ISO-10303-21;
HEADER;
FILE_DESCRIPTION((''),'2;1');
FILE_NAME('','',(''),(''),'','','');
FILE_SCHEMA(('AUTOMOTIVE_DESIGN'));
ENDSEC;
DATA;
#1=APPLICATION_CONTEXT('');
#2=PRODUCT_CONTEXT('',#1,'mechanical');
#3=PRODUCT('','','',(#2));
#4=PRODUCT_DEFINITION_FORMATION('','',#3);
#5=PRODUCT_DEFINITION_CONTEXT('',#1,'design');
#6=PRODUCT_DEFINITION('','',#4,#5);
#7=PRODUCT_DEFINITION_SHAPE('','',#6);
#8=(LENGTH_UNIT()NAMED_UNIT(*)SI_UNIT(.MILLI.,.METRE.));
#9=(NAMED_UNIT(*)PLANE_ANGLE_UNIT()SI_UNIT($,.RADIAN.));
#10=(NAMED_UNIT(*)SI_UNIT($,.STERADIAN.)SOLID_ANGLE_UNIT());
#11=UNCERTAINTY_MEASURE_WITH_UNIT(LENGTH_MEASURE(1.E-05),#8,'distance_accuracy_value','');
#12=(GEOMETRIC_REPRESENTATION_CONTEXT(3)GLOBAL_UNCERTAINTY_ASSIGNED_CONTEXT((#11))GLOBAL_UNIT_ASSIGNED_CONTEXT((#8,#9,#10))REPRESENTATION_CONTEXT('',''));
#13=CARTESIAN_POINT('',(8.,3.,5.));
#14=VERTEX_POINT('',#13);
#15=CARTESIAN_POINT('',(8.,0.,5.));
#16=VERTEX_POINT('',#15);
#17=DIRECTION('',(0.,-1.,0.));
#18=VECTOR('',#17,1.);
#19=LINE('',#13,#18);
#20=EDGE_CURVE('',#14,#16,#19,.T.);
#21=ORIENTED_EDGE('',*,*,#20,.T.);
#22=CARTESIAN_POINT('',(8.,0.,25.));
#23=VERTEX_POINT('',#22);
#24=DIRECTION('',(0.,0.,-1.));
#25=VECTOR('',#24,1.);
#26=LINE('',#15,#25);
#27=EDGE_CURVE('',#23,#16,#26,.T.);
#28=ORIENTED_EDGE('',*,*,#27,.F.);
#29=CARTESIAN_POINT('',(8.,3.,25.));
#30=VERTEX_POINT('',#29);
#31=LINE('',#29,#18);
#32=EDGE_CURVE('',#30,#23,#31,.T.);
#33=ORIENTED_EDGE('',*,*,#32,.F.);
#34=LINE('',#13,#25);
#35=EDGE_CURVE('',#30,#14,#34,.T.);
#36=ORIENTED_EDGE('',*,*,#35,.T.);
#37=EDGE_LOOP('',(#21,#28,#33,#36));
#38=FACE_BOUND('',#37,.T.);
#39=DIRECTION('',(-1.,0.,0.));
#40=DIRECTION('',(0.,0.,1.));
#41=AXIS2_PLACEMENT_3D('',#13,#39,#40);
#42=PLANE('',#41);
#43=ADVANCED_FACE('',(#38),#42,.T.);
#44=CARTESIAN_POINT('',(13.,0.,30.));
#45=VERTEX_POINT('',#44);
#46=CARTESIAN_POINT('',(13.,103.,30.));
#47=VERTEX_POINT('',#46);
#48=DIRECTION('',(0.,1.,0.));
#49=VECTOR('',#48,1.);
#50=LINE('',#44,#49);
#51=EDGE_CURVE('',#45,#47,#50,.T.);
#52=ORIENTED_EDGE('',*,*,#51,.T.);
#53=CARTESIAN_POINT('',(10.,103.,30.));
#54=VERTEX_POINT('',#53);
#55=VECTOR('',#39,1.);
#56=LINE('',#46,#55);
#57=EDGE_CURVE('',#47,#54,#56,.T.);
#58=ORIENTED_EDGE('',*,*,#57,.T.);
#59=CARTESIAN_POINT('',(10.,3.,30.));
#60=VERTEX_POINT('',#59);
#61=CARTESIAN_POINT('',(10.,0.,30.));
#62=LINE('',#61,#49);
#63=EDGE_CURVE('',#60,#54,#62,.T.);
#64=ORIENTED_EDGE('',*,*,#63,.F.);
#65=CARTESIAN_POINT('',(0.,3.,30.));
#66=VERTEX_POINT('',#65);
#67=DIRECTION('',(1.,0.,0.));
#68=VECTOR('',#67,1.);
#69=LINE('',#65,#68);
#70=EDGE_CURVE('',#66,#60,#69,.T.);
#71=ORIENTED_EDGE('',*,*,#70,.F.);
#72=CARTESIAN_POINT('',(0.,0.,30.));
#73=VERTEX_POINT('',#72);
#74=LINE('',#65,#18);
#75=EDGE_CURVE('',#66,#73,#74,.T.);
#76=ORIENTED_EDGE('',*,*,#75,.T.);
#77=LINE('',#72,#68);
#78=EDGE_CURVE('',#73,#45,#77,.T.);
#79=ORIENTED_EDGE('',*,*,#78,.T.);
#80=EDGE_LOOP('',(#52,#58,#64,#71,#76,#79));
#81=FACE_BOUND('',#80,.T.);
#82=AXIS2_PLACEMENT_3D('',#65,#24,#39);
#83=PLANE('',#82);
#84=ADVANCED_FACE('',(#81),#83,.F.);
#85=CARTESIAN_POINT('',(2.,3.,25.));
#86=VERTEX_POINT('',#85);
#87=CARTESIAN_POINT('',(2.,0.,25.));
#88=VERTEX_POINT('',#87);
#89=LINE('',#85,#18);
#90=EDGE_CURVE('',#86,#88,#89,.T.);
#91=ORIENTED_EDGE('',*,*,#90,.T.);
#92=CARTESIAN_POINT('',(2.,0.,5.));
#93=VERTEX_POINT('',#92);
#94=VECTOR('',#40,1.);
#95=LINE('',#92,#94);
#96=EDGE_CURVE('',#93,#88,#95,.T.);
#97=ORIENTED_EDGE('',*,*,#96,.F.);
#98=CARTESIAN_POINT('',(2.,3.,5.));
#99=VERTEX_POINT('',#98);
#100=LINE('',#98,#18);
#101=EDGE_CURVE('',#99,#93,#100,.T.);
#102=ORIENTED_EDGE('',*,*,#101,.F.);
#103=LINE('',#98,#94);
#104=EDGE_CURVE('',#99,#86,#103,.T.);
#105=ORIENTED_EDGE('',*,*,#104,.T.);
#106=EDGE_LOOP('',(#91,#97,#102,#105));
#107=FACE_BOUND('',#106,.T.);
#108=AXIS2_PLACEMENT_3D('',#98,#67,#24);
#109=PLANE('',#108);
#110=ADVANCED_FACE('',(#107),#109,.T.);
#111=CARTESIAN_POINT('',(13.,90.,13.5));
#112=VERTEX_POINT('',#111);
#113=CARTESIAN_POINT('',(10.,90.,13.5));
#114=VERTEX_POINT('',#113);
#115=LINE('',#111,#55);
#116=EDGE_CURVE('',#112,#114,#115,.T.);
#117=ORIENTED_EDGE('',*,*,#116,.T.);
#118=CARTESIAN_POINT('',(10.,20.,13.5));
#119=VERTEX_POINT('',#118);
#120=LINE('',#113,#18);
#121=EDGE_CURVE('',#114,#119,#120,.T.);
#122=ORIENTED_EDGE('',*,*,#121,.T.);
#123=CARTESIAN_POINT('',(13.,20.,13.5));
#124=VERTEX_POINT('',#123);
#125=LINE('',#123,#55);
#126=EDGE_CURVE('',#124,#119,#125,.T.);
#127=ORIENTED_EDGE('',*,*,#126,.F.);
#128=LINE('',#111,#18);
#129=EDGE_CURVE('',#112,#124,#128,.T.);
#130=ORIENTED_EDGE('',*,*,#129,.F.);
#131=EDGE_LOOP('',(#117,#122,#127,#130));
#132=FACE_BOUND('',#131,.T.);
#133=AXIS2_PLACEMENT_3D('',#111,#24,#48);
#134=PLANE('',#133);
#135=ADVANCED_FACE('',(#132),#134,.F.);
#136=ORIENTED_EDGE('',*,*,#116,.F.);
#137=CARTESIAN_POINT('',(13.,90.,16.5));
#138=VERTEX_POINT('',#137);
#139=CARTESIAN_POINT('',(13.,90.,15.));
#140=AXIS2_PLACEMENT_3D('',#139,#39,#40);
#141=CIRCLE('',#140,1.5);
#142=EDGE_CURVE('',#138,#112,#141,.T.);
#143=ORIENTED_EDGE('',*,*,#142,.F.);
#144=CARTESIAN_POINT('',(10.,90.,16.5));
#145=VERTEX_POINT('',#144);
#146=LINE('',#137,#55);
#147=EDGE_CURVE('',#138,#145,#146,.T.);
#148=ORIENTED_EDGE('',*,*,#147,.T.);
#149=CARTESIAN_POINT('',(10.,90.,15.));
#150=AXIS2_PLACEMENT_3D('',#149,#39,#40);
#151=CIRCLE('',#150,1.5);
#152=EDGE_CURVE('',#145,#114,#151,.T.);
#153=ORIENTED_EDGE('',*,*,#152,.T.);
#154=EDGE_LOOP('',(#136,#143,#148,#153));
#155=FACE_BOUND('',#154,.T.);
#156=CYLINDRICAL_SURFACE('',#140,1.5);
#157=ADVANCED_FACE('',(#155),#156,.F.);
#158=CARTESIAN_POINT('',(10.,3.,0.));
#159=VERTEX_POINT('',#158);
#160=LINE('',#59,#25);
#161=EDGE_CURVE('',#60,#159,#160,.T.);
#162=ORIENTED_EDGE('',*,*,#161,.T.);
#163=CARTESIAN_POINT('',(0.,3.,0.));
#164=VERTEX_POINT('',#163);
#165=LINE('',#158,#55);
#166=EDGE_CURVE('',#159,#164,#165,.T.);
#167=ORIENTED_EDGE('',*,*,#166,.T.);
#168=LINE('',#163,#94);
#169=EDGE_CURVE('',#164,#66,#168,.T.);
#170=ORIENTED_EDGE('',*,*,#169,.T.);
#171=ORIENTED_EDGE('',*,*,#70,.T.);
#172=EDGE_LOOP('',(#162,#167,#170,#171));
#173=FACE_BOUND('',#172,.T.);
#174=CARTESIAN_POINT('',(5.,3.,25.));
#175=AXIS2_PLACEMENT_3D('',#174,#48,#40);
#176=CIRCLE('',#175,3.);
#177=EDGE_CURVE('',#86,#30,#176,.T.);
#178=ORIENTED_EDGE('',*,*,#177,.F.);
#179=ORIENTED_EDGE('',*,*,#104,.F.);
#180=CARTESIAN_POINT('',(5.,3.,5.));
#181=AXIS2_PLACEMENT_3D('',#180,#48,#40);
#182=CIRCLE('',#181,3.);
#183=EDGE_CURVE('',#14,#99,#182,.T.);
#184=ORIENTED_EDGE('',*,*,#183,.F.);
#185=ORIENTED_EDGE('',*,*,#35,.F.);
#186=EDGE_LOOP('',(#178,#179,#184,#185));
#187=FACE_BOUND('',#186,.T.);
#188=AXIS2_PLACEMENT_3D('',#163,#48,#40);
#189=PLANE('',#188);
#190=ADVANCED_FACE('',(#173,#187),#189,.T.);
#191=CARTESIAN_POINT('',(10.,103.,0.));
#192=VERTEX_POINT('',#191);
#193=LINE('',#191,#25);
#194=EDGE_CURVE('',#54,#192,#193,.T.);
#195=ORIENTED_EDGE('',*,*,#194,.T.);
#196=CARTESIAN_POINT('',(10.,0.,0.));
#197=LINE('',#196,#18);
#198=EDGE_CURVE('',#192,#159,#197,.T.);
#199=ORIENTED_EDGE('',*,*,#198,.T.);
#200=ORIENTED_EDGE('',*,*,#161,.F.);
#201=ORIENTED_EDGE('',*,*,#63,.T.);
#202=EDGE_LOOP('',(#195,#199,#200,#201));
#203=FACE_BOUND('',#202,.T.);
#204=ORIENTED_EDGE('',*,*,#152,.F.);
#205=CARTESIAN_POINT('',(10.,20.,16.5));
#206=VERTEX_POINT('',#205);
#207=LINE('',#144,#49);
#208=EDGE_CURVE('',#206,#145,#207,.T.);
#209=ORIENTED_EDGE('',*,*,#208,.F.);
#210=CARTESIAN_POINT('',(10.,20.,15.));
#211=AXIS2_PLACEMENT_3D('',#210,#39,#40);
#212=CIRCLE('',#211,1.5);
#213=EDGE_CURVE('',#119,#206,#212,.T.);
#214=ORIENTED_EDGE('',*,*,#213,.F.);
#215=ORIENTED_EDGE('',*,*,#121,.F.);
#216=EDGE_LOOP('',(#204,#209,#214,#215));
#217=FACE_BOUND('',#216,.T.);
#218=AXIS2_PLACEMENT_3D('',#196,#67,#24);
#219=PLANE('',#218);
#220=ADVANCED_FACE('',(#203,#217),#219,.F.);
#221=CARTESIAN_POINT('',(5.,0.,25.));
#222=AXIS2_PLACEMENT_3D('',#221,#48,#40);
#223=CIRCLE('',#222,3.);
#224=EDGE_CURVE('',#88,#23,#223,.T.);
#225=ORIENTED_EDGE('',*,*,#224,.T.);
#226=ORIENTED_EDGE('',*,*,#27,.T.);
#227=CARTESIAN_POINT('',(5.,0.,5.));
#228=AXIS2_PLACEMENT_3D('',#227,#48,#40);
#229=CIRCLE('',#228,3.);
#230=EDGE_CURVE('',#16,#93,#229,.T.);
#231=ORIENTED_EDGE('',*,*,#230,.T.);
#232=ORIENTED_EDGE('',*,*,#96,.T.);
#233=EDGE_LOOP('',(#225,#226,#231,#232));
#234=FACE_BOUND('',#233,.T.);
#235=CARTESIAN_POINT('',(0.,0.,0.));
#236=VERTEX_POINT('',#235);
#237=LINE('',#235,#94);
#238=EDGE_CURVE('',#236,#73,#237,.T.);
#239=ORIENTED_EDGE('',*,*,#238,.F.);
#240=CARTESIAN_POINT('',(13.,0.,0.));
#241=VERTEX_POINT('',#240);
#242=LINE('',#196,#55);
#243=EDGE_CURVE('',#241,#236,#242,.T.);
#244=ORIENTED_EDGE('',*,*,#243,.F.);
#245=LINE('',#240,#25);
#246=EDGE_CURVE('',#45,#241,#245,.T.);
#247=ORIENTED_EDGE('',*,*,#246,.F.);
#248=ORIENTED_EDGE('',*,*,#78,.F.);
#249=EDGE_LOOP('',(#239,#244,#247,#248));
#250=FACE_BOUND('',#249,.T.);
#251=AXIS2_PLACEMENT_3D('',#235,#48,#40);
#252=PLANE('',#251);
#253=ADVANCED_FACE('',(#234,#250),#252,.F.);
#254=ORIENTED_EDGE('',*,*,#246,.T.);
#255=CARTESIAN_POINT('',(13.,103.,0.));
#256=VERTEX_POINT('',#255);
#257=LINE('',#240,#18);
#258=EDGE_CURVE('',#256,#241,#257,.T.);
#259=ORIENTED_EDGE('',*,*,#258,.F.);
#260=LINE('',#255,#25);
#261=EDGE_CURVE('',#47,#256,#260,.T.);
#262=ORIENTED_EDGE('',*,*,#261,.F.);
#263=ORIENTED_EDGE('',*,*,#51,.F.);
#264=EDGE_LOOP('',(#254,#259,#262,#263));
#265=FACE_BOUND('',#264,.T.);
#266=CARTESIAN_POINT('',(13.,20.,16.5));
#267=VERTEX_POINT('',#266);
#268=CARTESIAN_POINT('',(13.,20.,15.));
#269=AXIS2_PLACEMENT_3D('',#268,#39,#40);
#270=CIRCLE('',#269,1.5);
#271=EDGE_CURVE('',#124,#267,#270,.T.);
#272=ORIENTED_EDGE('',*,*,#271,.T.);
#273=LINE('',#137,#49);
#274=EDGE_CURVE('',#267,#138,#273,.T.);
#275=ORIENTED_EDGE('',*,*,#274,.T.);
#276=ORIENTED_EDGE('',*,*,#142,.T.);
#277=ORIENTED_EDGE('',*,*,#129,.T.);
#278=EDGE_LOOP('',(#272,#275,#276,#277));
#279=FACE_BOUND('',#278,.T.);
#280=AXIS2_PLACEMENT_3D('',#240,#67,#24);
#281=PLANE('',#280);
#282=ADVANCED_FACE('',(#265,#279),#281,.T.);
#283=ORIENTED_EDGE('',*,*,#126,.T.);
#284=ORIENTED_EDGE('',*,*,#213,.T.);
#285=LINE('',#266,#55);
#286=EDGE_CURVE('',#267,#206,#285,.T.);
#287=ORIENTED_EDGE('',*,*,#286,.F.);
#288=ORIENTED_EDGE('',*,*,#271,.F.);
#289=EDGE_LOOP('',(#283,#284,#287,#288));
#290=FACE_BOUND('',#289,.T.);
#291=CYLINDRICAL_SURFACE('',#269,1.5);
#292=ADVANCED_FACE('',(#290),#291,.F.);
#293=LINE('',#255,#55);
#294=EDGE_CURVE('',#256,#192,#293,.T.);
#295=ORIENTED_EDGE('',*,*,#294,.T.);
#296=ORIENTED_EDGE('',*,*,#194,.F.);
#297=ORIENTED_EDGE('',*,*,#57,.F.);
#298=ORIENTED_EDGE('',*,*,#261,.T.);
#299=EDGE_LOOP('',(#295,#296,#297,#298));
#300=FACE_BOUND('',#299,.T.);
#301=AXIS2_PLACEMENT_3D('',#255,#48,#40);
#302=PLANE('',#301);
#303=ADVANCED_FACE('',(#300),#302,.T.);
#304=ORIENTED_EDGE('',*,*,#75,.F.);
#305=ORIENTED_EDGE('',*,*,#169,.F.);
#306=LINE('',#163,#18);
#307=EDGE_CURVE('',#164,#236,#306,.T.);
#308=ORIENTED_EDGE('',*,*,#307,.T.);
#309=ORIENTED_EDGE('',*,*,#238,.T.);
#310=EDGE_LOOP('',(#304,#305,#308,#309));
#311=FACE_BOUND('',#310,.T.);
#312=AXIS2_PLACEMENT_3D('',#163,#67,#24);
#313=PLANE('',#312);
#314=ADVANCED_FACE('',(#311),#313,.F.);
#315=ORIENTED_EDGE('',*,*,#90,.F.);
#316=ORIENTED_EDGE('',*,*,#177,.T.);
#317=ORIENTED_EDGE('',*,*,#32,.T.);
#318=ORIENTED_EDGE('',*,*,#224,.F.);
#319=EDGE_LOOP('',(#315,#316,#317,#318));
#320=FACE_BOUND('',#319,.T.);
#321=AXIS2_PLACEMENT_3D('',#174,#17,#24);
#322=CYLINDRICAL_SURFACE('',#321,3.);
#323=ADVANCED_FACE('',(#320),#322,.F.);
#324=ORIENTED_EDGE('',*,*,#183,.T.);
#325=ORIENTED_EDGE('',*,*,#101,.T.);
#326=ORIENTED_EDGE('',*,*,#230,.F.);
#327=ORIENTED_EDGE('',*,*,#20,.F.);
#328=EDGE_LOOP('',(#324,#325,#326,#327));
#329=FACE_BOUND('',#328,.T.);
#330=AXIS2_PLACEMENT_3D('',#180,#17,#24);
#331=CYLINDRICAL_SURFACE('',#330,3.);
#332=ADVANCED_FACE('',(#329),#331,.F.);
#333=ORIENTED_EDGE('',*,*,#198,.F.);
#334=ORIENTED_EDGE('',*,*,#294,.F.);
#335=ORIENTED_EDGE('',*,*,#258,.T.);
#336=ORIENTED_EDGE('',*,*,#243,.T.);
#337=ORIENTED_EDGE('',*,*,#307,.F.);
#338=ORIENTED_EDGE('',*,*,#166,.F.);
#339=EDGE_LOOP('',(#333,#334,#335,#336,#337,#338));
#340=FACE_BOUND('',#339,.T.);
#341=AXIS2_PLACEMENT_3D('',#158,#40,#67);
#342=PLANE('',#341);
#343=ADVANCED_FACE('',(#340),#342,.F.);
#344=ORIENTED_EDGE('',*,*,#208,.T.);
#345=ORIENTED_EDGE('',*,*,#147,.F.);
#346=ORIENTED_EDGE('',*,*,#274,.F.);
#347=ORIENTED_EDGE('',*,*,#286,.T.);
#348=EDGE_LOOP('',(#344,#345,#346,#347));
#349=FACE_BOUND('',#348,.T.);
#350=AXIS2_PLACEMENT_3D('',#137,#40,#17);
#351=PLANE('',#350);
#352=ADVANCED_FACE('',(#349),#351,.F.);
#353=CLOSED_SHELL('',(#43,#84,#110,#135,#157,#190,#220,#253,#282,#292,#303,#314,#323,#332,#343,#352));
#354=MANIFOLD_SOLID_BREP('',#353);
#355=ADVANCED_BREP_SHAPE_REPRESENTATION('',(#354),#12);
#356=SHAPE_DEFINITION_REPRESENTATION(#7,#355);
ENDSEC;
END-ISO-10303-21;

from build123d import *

# Parameters (mm, degrees)
SKETCH_5_W          = 10
SKETCH_5_H          = 30
EXTRUDE_5_DEPTH     = 3
SKETCH_6_W          = 30
SKETCH_6_H          = 100
SKETCH_6_H_2        = 3
EXTRUDE_6_DEPTH     = 3
CUT_EXTRUDE_2_DEPTH = 3


with BuildPart() as part:
    # 草图5 → 凸台-拉伸5 (new body)
    with BuildSketch(Plane(origin=(0, 0, 0), x_dir=(1, 0, 0), z_dir=(0, 1, 0))):
        with Locations((5, -15)):
            Rectangle(SKETCH_5_W, SKETCH_5_H)
        with BuildLine():
            Line((8, -5), (8, -25))
            ThreePointArc((8, -25), (5, -28), (2, -25))
            Line((2, -25), (2, -5))
            ThreePointArc((2, -5), (5, -2), (8, -5))
        make_face(mode=Mode.SUBTRACT)
    extrude(amount=EXTRUDE_5_DEPTH)

    # 草图6 → 凸台-拉伸6 (add)
    with BuildSketch(Plane(origin=(10, 0, 0), x_dir=(0, 0, -1), z_dir=(1, 0, 0))):
        with Locations((-15, 53)):
            Rectangle(SKETCH_6_W, SKETCH_6_H)
        with Locations((-15, 1.5)):
            Rectangle(SKETCH_6_W, SKETCH_6_H_2)
    extrude(amount=EXTRUDE_6_DEPTH)

    # 草图7 → 切除-拉伸2 (cut)
    with BuildSketch(Plane.ZY.offset(-10)):
        with BuildLine():
            Line((16.5, 90), (16.5, 20))
            ThreePointArc((16.5, 20), (15, 18.5), (13.5, 20))
            Line((13.5, 20), (13.5, 90))
            ThreePointArc((13.5, 90), (15, 91.5), (16.5, 90))
        make_face()
    extrude(amount=-CUT_EXTRUDE_2_DEPTH, mode=Mode.SUBTRACT)


solid = part.part
